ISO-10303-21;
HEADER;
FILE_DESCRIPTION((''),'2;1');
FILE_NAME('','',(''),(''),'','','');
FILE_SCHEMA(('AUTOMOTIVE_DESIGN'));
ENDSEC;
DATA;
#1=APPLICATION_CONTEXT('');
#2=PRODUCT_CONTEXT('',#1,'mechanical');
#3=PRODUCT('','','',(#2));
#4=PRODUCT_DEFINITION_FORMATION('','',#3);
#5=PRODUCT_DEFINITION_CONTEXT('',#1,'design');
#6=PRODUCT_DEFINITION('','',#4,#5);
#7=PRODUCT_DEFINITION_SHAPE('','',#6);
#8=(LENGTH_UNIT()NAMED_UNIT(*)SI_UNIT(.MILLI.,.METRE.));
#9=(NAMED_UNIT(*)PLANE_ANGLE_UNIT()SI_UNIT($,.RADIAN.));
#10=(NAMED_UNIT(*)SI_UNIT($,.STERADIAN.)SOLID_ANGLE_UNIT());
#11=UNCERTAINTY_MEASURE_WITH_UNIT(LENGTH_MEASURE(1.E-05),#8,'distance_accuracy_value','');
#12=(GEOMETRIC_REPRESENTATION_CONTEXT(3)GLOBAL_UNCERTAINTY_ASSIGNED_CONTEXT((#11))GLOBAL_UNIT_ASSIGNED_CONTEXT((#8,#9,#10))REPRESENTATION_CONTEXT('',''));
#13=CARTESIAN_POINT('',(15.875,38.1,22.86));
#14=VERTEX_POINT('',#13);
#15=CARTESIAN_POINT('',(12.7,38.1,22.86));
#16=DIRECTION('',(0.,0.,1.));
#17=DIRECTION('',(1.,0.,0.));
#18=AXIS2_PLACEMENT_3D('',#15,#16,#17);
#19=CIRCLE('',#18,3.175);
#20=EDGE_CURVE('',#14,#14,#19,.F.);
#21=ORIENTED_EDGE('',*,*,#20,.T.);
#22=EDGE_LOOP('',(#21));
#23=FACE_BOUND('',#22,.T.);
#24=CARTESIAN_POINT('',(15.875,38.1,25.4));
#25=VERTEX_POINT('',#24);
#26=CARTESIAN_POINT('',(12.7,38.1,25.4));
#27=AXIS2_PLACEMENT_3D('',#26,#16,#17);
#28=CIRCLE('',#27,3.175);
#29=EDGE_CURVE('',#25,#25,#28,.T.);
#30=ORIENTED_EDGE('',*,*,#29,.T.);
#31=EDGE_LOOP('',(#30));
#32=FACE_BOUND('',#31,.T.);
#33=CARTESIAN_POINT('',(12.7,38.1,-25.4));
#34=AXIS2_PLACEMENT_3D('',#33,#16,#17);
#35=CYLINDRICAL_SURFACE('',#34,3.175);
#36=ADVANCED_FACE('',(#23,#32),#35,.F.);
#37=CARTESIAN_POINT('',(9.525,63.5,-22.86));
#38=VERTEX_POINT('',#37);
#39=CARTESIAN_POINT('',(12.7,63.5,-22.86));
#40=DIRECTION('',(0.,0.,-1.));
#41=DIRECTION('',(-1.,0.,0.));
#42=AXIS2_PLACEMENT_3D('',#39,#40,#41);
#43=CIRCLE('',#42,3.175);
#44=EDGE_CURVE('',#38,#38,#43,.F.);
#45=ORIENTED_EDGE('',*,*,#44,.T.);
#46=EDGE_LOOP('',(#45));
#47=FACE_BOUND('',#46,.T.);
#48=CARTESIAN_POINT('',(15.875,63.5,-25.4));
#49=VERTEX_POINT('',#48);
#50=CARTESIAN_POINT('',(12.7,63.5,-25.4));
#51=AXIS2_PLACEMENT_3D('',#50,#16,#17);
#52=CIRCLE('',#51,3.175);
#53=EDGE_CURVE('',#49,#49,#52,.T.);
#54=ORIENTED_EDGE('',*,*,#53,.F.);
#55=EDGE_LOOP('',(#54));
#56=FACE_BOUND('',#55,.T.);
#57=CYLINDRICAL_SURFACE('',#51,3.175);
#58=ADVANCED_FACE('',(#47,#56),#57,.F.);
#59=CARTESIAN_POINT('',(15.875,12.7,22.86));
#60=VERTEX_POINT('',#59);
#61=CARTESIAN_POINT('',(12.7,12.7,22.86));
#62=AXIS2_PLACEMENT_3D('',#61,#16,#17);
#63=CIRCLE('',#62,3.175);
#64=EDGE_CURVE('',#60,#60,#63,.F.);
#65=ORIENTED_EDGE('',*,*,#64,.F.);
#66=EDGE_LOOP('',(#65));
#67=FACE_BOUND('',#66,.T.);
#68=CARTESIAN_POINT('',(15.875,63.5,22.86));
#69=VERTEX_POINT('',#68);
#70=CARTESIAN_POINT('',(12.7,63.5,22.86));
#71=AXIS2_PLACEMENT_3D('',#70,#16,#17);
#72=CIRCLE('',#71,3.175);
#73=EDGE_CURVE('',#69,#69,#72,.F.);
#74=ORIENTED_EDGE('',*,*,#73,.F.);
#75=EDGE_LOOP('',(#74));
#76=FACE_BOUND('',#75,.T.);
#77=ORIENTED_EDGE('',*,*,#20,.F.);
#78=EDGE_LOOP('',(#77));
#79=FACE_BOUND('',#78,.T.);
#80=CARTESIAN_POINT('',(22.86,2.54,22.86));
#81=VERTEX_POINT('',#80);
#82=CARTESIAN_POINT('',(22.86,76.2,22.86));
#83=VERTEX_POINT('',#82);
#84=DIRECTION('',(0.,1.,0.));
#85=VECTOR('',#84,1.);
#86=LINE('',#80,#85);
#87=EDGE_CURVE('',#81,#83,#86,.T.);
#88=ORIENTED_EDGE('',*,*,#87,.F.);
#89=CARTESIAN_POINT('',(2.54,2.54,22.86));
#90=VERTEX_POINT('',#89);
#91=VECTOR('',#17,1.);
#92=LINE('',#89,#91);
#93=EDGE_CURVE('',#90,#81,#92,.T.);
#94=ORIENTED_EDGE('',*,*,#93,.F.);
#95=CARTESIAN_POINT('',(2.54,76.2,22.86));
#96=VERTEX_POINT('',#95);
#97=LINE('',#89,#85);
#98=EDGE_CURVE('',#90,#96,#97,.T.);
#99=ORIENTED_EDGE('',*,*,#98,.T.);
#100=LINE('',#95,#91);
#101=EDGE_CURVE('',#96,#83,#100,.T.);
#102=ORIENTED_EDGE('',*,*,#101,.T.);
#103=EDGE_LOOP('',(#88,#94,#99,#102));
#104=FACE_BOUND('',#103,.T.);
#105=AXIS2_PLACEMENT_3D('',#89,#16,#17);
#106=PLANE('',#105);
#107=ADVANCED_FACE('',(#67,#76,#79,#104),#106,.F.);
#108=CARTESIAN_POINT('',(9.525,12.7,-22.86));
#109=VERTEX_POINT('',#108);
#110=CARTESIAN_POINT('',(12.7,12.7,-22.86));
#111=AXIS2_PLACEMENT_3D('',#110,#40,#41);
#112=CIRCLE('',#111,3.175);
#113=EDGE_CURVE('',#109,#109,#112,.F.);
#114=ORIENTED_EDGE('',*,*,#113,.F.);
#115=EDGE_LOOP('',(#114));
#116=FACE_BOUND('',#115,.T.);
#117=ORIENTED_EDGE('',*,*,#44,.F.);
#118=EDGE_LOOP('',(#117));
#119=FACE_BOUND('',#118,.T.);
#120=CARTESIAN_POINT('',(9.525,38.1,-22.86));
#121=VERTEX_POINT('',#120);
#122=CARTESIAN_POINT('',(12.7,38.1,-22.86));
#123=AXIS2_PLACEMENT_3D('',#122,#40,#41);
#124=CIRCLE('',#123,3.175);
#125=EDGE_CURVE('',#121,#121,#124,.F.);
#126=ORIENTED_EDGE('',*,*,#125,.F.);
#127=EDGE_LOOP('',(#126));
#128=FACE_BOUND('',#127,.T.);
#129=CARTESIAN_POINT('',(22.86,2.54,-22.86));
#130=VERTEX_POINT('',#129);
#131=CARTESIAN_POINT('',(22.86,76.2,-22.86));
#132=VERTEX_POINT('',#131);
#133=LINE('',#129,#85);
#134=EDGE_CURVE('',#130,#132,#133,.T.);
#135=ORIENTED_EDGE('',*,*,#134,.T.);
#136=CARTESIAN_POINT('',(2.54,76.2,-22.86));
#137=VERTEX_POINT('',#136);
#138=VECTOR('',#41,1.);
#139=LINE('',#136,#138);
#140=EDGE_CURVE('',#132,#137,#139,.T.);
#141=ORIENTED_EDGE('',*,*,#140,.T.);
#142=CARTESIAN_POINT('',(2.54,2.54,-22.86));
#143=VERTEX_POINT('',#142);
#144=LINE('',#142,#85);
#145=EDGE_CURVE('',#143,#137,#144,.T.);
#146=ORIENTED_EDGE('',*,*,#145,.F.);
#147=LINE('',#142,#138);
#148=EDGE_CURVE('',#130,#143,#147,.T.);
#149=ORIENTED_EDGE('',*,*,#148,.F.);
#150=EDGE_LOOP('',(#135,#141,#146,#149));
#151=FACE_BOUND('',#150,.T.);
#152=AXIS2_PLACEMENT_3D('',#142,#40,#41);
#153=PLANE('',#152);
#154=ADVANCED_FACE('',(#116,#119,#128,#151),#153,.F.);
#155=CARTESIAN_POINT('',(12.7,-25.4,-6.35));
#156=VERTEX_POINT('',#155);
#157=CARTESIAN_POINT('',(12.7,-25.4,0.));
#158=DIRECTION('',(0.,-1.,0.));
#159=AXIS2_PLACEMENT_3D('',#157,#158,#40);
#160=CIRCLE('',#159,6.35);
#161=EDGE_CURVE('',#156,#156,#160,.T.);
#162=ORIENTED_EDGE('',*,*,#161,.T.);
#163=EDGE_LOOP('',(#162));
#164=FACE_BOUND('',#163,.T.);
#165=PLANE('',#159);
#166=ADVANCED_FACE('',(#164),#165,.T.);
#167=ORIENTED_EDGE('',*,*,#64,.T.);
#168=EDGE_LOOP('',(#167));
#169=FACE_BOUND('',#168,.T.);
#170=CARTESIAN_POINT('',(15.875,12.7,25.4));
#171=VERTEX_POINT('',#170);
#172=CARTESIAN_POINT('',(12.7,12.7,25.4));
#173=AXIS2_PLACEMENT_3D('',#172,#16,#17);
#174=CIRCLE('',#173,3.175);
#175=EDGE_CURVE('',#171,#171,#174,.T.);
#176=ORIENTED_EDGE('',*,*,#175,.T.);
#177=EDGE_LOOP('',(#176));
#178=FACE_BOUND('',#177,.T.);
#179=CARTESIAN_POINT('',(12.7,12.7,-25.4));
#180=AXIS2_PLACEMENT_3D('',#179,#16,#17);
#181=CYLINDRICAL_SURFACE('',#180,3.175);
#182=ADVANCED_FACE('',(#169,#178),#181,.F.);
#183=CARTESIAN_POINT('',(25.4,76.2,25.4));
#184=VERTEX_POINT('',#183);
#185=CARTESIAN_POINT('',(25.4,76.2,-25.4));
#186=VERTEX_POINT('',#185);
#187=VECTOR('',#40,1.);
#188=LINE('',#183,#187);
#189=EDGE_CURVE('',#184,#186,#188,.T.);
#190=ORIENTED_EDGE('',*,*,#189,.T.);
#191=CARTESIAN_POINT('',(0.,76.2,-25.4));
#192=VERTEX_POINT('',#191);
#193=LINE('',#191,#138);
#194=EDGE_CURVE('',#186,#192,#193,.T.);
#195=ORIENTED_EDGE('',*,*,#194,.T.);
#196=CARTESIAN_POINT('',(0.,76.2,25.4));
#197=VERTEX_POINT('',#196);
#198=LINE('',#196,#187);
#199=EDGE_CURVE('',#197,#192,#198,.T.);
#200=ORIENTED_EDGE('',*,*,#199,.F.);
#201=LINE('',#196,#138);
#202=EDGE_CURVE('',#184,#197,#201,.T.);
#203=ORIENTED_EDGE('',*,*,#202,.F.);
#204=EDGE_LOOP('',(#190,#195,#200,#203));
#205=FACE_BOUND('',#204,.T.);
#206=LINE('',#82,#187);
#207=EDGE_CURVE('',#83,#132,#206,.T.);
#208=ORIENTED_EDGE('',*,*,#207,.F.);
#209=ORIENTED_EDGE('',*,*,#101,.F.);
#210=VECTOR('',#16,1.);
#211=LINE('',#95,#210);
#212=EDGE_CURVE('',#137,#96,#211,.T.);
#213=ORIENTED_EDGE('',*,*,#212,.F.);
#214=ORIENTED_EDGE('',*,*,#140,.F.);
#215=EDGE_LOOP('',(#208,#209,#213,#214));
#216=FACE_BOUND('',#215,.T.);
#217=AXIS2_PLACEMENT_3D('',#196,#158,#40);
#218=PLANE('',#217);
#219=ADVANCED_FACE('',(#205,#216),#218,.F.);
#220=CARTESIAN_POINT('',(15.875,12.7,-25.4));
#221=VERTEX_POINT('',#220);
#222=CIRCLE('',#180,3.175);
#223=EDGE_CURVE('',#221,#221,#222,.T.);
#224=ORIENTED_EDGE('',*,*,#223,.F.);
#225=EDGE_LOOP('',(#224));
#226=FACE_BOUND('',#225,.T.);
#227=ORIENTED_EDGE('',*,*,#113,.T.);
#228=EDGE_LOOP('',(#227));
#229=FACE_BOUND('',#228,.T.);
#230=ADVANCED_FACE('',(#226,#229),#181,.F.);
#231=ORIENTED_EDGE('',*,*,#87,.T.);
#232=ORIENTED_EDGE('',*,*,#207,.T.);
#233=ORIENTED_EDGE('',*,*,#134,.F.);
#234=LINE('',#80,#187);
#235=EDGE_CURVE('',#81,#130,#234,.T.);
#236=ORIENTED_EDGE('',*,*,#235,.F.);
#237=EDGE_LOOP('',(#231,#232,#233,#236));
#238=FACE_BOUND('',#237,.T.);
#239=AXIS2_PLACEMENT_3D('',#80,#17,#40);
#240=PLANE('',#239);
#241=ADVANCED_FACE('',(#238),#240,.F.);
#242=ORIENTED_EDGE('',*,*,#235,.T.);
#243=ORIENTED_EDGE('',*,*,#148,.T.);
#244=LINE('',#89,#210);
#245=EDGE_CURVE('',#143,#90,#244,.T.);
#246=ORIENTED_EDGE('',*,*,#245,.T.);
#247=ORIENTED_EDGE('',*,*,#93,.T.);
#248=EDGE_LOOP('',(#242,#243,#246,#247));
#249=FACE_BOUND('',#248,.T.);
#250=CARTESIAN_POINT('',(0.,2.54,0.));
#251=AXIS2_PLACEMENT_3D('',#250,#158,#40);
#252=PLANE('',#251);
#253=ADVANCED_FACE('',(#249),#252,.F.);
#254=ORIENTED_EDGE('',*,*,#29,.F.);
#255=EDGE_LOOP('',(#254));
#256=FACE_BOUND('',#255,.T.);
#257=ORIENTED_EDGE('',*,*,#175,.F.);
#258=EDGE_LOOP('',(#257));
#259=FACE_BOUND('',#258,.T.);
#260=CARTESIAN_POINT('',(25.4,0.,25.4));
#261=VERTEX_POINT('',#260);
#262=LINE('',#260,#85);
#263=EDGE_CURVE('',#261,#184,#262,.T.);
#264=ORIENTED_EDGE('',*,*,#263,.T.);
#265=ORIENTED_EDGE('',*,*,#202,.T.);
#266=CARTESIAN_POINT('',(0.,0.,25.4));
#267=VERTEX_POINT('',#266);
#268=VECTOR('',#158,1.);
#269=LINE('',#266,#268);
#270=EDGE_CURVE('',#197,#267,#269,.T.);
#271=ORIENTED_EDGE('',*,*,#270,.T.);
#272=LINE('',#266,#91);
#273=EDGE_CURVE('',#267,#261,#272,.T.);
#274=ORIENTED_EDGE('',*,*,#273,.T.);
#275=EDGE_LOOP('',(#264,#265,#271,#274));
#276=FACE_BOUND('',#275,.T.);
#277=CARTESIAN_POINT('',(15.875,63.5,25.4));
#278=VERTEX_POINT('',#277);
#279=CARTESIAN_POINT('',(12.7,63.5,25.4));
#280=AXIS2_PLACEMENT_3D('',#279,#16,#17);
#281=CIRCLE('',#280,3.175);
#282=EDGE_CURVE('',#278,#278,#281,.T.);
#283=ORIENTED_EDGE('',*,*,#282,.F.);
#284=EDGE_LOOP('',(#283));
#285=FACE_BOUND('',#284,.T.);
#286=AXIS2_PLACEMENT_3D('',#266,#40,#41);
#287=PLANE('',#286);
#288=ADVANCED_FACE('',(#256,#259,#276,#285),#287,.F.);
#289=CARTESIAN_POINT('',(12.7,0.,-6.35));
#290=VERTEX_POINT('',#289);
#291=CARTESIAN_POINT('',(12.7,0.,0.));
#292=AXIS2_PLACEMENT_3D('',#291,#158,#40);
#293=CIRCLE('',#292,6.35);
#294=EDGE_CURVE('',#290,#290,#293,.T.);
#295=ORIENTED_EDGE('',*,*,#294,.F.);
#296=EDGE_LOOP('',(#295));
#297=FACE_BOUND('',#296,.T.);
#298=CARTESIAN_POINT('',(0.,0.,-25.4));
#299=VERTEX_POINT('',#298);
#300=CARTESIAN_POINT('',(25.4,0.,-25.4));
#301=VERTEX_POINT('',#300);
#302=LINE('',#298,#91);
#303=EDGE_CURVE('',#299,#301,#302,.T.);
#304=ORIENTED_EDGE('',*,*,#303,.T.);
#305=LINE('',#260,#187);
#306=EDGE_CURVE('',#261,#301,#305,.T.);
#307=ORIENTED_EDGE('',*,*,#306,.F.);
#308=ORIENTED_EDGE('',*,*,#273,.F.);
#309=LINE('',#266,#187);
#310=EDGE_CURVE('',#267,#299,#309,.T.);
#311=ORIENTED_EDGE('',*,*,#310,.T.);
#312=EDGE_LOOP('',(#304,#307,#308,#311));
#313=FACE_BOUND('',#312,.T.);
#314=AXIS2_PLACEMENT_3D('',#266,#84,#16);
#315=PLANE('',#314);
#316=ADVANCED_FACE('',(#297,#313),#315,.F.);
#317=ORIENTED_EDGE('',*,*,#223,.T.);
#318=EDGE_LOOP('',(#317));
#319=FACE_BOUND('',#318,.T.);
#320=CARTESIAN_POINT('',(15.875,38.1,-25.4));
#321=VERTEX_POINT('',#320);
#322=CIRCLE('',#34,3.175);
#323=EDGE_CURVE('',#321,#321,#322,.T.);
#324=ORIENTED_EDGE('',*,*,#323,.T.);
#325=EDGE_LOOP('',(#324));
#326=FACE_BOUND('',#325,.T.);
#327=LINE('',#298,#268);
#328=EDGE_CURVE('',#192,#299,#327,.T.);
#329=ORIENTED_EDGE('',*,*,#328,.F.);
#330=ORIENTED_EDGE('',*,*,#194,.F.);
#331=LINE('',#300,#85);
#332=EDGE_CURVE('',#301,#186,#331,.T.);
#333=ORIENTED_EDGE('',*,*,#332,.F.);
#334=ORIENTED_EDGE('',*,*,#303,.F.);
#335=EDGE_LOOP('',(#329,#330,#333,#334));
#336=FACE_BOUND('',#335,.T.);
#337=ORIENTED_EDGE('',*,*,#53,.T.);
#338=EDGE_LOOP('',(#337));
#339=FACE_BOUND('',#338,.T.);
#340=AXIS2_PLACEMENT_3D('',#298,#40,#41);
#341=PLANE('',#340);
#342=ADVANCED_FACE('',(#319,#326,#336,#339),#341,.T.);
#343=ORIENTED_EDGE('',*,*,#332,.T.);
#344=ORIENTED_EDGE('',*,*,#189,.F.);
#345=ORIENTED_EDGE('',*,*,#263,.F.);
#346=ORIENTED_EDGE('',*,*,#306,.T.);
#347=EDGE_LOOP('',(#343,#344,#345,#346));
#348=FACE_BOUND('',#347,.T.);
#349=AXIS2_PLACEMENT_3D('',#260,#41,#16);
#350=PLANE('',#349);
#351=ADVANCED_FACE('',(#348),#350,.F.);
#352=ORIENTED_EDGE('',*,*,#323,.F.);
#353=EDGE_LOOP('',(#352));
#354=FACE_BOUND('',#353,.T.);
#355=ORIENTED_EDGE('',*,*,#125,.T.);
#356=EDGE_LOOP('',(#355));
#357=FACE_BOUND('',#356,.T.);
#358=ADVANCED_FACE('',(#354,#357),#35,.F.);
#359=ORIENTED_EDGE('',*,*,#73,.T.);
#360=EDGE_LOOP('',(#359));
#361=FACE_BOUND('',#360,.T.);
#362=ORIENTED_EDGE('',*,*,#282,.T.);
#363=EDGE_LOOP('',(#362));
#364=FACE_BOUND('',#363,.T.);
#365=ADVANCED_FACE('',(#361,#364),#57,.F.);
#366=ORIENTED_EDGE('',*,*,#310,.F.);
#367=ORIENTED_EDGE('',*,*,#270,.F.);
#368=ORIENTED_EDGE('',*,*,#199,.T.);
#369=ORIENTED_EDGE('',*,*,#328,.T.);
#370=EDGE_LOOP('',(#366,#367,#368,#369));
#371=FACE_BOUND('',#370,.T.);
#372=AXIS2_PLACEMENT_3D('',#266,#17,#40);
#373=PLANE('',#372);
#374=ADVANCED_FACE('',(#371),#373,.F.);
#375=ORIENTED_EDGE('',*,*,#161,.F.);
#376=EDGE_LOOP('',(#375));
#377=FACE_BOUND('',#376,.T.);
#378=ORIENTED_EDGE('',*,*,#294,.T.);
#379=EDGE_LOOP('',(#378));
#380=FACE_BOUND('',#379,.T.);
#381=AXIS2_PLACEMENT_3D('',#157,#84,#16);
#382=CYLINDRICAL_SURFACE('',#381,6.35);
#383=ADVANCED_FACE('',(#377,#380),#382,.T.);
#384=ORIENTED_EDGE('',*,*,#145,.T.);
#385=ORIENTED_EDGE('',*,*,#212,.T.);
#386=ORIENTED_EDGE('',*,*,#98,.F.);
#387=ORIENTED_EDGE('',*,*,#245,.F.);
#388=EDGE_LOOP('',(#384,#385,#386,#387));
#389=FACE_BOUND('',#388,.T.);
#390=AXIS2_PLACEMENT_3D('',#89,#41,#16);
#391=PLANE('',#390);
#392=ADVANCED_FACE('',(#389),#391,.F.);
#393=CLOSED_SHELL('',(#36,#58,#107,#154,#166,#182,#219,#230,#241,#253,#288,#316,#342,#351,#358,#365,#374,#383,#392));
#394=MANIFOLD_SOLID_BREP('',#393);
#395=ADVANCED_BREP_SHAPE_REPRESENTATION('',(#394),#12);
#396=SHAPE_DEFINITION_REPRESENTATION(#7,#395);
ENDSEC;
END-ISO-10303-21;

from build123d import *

# Parameters (mm, degrees)
SKETCH1_W           = 25.4
SKETCH1_H           = 76.2
BOSS_EXTRUDE1_DEPTH = 25.4
SKETCH2_R           = 3.175
CUT_EXTRUDE1_DEPTH  = 96.038097624
SKETCH3_W           = 20.32
SKETCH3_H           = 45.72
CUT_EXTRUDE2_DEPTH  = 73.66
SKETCH4_R           = 6.35
BOSS_EXTRUDE2_DEPTH = 25.4


with BuildPart() as part:
    # Sketch1 → Boss-Extrude1 (new, symmetric)
    with BuildSketch(Plane.XY):
        with Locations((12.7, 38.1)):
            Rectangle(SKETCH1_W, SKETCH1_H)
    extrude(amount=BOSS_EXTRUDE1_DEPTH, both=True)

    # Sketch2 → Cut-Extrude1 (cut, through all)
    with BuildSketch(Plane.XY.offset(25.4)):
        with Locations((12.7, 38.1)):
            Circle(SKETCH2_R)
        with Locations((12.7, 63.5)):
            Circle(SKETCH2_R)
        with Locations((12.7, 88.9)):
            Circle(SKETCH2_R)
        with Locations((12.7, 12.7)):
            Circle(SKETCH2_R)
    extrude(amount=-CUT_EXTRUDE1_DEPTH, mode=Mode.SUBTRACT)

    # Sketch3 → Cut-Extrude2 (cut)
    with BuildSketch(Plane(origin=(0, 76.2, 0), x_dir=(1, 0, 0), z_dir=(0, 1, 0))):
        with Locations((12.7, 0)):
            Rectangle(SKETCH3_W, SKETCH3_H)
    extrude(amount=-CUT_EXTRUDE2_DEPTH, mode=Mode.SUBTRACT)

    # Sketch4 → Boss-Extrude2 (add)
    with BuildSketch(Plane.XZ):
        with Locations(Location((12.7, 0, 0), (0, 0, 270))):
            Circle(SKETCH4_R)
    extrude(amount=BOSS_EXTRUDE2_DEPTH)


solid = part.part
